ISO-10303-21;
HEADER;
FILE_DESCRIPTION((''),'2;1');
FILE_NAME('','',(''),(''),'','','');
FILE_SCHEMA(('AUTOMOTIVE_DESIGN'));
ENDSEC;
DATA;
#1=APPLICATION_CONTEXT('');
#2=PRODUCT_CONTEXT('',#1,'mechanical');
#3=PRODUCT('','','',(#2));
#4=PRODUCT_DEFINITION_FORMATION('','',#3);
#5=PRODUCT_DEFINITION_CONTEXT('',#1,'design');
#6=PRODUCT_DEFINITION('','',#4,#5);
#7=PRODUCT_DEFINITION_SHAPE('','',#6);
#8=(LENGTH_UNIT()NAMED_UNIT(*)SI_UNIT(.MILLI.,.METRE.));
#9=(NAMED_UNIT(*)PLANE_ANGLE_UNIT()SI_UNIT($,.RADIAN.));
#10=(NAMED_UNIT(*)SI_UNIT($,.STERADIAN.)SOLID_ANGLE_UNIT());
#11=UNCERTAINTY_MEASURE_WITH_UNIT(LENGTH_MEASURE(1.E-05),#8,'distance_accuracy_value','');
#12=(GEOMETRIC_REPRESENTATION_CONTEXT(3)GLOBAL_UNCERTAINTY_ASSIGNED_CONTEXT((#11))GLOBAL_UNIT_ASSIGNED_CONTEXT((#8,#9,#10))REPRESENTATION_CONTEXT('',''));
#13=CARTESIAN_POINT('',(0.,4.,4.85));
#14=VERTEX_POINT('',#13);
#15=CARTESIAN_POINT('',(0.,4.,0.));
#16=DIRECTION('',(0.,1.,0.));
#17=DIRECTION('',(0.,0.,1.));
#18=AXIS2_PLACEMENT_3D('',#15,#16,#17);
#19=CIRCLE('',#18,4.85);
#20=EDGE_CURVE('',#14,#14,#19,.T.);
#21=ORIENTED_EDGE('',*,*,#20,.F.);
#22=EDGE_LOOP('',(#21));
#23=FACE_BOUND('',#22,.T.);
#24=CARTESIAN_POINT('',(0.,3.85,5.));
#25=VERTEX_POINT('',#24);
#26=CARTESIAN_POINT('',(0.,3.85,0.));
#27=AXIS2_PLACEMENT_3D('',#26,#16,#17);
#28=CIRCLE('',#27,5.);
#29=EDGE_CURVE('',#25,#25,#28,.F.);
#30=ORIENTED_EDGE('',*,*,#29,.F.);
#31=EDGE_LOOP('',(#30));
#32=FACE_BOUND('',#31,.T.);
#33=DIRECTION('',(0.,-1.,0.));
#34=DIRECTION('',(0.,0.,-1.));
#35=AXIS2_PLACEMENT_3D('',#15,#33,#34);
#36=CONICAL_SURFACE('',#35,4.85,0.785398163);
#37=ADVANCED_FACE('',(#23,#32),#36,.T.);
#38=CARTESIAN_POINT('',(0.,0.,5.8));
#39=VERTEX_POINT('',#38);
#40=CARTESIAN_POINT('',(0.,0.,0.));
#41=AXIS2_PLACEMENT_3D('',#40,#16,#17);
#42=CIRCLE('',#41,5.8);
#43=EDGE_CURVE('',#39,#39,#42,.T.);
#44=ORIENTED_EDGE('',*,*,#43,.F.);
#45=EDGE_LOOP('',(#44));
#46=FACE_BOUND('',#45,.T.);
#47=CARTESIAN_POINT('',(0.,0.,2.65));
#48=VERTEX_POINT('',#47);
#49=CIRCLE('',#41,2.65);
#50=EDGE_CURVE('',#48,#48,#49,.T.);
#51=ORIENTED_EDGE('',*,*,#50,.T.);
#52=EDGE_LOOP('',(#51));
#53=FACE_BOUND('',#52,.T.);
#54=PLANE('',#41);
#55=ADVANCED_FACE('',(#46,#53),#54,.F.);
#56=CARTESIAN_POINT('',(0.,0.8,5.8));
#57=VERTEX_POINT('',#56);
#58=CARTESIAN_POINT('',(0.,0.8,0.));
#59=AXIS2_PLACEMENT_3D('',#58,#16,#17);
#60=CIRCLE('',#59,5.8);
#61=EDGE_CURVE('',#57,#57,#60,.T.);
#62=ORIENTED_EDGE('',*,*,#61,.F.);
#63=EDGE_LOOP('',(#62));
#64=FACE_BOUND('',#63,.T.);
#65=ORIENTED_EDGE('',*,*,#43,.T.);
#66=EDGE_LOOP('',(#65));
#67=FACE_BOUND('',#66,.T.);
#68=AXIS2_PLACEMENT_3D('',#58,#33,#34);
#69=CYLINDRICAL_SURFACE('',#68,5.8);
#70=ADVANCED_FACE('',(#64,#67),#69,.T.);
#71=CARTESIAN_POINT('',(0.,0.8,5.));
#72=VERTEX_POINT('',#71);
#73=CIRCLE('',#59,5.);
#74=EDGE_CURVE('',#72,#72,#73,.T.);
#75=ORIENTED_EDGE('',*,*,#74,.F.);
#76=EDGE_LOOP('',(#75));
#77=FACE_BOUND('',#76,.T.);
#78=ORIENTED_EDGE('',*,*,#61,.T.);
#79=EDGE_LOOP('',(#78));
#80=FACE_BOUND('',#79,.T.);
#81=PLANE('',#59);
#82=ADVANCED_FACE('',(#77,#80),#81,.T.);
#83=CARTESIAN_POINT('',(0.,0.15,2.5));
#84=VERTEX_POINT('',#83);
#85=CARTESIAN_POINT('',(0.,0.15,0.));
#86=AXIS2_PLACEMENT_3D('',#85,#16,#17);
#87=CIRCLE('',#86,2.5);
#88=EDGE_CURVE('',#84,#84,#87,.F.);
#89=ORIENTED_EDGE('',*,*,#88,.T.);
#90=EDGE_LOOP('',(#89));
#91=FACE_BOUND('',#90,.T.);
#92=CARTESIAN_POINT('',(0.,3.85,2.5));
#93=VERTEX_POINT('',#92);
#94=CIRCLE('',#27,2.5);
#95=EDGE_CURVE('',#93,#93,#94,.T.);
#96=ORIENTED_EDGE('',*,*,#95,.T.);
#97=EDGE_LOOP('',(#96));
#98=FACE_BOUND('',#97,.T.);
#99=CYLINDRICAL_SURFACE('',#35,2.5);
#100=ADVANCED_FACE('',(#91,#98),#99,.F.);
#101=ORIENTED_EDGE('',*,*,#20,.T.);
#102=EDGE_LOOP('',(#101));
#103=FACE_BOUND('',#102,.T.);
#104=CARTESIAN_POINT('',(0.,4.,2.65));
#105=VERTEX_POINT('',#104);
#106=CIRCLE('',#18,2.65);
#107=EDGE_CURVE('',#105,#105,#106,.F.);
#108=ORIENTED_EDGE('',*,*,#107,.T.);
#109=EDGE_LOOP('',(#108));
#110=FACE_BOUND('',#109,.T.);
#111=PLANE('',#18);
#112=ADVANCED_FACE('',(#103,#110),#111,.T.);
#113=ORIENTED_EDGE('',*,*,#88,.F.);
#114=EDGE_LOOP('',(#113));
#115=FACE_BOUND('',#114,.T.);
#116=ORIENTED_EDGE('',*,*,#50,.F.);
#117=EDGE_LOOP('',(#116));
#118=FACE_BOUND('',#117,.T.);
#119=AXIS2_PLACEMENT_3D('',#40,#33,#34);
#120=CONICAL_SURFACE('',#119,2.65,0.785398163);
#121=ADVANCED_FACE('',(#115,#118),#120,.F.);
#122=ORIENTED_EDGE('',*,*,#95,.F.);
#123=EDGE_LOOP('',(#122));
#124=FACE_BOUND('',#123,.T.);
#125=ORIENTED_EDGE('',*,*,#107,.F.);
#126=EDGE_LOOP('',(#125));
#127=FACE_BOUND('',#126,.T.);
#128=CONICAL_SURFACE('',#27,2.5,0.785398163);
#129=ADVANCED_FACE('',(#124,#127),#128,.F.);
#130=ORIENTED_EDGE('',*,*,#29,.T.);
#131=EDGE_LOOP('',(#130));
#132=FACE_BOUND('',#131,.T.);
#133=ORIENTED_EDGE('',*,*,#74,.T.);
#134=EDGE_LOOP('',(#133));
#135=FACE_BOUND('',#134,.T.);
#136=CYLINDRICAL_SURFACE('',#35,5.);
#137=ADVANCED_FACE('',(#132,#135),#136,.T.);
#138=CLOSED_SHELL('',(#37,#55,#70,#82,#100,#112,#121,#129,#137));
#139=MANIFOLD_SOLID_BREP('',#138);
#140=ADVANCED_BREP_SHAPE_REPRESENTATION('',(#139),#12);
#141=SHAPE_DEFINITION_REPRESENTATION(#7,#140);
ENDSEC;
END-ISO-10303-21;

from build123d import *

# Parameters (mm, degrees)
CROQUIS1_R              = 5.8
CROQUIS1_R_2            = 5
SALIENTE_EXTRUIR1_DEPTH = 0.8
CROQUIS1_3_R            = 5
CROQUIS1_3_R_2          = 2.5
SALIENTE_EXTRUIR2_DEPTH = 4
CHAFL_N1_SIZE           = 0.15


with BuildPart() as part:
    # Croquis1 → Saliente-Extruir1 (new body)
    with BuildSketch(Plane(origin=(0, 0, 0), x_dir=(1, 0, 0), z_dir=(0, 1, 0))):
        Circle(CROQUIS1_R)
        Circle(CROQUIS1_R_2, mode=Mode.SUBTRACT)
    extrude(amount=SALIENTE_EXTRUIR1_DEPTH)

    # Croquis1<3> → Saliente-Extruir2 (add)
    with BuildSketch(Plane(origin=(0, 0, 0), x_dir=(1, 0, 0), z_dir=(0, 1, 0))):
        Circle(CROQUIS1_3_R)
        Circle(CROQUIS1_3_R_2, mode=Mode.SUBTRACT)
    extrude(amount=SALIENTE_EXTRUIR2_DEPTH)

    # Chaflán1
    chafl_n1_edges = [part.edges().sort_by_distance(p)[0] for p in [
        (-2.5, 0, 0),
        (-2.5, 4, 0),
        (-5, 4, 0),
    ]]
    chamfer(chafl_n1_edges, length=CHAFL_N1_SIZE)


solid = part.part
